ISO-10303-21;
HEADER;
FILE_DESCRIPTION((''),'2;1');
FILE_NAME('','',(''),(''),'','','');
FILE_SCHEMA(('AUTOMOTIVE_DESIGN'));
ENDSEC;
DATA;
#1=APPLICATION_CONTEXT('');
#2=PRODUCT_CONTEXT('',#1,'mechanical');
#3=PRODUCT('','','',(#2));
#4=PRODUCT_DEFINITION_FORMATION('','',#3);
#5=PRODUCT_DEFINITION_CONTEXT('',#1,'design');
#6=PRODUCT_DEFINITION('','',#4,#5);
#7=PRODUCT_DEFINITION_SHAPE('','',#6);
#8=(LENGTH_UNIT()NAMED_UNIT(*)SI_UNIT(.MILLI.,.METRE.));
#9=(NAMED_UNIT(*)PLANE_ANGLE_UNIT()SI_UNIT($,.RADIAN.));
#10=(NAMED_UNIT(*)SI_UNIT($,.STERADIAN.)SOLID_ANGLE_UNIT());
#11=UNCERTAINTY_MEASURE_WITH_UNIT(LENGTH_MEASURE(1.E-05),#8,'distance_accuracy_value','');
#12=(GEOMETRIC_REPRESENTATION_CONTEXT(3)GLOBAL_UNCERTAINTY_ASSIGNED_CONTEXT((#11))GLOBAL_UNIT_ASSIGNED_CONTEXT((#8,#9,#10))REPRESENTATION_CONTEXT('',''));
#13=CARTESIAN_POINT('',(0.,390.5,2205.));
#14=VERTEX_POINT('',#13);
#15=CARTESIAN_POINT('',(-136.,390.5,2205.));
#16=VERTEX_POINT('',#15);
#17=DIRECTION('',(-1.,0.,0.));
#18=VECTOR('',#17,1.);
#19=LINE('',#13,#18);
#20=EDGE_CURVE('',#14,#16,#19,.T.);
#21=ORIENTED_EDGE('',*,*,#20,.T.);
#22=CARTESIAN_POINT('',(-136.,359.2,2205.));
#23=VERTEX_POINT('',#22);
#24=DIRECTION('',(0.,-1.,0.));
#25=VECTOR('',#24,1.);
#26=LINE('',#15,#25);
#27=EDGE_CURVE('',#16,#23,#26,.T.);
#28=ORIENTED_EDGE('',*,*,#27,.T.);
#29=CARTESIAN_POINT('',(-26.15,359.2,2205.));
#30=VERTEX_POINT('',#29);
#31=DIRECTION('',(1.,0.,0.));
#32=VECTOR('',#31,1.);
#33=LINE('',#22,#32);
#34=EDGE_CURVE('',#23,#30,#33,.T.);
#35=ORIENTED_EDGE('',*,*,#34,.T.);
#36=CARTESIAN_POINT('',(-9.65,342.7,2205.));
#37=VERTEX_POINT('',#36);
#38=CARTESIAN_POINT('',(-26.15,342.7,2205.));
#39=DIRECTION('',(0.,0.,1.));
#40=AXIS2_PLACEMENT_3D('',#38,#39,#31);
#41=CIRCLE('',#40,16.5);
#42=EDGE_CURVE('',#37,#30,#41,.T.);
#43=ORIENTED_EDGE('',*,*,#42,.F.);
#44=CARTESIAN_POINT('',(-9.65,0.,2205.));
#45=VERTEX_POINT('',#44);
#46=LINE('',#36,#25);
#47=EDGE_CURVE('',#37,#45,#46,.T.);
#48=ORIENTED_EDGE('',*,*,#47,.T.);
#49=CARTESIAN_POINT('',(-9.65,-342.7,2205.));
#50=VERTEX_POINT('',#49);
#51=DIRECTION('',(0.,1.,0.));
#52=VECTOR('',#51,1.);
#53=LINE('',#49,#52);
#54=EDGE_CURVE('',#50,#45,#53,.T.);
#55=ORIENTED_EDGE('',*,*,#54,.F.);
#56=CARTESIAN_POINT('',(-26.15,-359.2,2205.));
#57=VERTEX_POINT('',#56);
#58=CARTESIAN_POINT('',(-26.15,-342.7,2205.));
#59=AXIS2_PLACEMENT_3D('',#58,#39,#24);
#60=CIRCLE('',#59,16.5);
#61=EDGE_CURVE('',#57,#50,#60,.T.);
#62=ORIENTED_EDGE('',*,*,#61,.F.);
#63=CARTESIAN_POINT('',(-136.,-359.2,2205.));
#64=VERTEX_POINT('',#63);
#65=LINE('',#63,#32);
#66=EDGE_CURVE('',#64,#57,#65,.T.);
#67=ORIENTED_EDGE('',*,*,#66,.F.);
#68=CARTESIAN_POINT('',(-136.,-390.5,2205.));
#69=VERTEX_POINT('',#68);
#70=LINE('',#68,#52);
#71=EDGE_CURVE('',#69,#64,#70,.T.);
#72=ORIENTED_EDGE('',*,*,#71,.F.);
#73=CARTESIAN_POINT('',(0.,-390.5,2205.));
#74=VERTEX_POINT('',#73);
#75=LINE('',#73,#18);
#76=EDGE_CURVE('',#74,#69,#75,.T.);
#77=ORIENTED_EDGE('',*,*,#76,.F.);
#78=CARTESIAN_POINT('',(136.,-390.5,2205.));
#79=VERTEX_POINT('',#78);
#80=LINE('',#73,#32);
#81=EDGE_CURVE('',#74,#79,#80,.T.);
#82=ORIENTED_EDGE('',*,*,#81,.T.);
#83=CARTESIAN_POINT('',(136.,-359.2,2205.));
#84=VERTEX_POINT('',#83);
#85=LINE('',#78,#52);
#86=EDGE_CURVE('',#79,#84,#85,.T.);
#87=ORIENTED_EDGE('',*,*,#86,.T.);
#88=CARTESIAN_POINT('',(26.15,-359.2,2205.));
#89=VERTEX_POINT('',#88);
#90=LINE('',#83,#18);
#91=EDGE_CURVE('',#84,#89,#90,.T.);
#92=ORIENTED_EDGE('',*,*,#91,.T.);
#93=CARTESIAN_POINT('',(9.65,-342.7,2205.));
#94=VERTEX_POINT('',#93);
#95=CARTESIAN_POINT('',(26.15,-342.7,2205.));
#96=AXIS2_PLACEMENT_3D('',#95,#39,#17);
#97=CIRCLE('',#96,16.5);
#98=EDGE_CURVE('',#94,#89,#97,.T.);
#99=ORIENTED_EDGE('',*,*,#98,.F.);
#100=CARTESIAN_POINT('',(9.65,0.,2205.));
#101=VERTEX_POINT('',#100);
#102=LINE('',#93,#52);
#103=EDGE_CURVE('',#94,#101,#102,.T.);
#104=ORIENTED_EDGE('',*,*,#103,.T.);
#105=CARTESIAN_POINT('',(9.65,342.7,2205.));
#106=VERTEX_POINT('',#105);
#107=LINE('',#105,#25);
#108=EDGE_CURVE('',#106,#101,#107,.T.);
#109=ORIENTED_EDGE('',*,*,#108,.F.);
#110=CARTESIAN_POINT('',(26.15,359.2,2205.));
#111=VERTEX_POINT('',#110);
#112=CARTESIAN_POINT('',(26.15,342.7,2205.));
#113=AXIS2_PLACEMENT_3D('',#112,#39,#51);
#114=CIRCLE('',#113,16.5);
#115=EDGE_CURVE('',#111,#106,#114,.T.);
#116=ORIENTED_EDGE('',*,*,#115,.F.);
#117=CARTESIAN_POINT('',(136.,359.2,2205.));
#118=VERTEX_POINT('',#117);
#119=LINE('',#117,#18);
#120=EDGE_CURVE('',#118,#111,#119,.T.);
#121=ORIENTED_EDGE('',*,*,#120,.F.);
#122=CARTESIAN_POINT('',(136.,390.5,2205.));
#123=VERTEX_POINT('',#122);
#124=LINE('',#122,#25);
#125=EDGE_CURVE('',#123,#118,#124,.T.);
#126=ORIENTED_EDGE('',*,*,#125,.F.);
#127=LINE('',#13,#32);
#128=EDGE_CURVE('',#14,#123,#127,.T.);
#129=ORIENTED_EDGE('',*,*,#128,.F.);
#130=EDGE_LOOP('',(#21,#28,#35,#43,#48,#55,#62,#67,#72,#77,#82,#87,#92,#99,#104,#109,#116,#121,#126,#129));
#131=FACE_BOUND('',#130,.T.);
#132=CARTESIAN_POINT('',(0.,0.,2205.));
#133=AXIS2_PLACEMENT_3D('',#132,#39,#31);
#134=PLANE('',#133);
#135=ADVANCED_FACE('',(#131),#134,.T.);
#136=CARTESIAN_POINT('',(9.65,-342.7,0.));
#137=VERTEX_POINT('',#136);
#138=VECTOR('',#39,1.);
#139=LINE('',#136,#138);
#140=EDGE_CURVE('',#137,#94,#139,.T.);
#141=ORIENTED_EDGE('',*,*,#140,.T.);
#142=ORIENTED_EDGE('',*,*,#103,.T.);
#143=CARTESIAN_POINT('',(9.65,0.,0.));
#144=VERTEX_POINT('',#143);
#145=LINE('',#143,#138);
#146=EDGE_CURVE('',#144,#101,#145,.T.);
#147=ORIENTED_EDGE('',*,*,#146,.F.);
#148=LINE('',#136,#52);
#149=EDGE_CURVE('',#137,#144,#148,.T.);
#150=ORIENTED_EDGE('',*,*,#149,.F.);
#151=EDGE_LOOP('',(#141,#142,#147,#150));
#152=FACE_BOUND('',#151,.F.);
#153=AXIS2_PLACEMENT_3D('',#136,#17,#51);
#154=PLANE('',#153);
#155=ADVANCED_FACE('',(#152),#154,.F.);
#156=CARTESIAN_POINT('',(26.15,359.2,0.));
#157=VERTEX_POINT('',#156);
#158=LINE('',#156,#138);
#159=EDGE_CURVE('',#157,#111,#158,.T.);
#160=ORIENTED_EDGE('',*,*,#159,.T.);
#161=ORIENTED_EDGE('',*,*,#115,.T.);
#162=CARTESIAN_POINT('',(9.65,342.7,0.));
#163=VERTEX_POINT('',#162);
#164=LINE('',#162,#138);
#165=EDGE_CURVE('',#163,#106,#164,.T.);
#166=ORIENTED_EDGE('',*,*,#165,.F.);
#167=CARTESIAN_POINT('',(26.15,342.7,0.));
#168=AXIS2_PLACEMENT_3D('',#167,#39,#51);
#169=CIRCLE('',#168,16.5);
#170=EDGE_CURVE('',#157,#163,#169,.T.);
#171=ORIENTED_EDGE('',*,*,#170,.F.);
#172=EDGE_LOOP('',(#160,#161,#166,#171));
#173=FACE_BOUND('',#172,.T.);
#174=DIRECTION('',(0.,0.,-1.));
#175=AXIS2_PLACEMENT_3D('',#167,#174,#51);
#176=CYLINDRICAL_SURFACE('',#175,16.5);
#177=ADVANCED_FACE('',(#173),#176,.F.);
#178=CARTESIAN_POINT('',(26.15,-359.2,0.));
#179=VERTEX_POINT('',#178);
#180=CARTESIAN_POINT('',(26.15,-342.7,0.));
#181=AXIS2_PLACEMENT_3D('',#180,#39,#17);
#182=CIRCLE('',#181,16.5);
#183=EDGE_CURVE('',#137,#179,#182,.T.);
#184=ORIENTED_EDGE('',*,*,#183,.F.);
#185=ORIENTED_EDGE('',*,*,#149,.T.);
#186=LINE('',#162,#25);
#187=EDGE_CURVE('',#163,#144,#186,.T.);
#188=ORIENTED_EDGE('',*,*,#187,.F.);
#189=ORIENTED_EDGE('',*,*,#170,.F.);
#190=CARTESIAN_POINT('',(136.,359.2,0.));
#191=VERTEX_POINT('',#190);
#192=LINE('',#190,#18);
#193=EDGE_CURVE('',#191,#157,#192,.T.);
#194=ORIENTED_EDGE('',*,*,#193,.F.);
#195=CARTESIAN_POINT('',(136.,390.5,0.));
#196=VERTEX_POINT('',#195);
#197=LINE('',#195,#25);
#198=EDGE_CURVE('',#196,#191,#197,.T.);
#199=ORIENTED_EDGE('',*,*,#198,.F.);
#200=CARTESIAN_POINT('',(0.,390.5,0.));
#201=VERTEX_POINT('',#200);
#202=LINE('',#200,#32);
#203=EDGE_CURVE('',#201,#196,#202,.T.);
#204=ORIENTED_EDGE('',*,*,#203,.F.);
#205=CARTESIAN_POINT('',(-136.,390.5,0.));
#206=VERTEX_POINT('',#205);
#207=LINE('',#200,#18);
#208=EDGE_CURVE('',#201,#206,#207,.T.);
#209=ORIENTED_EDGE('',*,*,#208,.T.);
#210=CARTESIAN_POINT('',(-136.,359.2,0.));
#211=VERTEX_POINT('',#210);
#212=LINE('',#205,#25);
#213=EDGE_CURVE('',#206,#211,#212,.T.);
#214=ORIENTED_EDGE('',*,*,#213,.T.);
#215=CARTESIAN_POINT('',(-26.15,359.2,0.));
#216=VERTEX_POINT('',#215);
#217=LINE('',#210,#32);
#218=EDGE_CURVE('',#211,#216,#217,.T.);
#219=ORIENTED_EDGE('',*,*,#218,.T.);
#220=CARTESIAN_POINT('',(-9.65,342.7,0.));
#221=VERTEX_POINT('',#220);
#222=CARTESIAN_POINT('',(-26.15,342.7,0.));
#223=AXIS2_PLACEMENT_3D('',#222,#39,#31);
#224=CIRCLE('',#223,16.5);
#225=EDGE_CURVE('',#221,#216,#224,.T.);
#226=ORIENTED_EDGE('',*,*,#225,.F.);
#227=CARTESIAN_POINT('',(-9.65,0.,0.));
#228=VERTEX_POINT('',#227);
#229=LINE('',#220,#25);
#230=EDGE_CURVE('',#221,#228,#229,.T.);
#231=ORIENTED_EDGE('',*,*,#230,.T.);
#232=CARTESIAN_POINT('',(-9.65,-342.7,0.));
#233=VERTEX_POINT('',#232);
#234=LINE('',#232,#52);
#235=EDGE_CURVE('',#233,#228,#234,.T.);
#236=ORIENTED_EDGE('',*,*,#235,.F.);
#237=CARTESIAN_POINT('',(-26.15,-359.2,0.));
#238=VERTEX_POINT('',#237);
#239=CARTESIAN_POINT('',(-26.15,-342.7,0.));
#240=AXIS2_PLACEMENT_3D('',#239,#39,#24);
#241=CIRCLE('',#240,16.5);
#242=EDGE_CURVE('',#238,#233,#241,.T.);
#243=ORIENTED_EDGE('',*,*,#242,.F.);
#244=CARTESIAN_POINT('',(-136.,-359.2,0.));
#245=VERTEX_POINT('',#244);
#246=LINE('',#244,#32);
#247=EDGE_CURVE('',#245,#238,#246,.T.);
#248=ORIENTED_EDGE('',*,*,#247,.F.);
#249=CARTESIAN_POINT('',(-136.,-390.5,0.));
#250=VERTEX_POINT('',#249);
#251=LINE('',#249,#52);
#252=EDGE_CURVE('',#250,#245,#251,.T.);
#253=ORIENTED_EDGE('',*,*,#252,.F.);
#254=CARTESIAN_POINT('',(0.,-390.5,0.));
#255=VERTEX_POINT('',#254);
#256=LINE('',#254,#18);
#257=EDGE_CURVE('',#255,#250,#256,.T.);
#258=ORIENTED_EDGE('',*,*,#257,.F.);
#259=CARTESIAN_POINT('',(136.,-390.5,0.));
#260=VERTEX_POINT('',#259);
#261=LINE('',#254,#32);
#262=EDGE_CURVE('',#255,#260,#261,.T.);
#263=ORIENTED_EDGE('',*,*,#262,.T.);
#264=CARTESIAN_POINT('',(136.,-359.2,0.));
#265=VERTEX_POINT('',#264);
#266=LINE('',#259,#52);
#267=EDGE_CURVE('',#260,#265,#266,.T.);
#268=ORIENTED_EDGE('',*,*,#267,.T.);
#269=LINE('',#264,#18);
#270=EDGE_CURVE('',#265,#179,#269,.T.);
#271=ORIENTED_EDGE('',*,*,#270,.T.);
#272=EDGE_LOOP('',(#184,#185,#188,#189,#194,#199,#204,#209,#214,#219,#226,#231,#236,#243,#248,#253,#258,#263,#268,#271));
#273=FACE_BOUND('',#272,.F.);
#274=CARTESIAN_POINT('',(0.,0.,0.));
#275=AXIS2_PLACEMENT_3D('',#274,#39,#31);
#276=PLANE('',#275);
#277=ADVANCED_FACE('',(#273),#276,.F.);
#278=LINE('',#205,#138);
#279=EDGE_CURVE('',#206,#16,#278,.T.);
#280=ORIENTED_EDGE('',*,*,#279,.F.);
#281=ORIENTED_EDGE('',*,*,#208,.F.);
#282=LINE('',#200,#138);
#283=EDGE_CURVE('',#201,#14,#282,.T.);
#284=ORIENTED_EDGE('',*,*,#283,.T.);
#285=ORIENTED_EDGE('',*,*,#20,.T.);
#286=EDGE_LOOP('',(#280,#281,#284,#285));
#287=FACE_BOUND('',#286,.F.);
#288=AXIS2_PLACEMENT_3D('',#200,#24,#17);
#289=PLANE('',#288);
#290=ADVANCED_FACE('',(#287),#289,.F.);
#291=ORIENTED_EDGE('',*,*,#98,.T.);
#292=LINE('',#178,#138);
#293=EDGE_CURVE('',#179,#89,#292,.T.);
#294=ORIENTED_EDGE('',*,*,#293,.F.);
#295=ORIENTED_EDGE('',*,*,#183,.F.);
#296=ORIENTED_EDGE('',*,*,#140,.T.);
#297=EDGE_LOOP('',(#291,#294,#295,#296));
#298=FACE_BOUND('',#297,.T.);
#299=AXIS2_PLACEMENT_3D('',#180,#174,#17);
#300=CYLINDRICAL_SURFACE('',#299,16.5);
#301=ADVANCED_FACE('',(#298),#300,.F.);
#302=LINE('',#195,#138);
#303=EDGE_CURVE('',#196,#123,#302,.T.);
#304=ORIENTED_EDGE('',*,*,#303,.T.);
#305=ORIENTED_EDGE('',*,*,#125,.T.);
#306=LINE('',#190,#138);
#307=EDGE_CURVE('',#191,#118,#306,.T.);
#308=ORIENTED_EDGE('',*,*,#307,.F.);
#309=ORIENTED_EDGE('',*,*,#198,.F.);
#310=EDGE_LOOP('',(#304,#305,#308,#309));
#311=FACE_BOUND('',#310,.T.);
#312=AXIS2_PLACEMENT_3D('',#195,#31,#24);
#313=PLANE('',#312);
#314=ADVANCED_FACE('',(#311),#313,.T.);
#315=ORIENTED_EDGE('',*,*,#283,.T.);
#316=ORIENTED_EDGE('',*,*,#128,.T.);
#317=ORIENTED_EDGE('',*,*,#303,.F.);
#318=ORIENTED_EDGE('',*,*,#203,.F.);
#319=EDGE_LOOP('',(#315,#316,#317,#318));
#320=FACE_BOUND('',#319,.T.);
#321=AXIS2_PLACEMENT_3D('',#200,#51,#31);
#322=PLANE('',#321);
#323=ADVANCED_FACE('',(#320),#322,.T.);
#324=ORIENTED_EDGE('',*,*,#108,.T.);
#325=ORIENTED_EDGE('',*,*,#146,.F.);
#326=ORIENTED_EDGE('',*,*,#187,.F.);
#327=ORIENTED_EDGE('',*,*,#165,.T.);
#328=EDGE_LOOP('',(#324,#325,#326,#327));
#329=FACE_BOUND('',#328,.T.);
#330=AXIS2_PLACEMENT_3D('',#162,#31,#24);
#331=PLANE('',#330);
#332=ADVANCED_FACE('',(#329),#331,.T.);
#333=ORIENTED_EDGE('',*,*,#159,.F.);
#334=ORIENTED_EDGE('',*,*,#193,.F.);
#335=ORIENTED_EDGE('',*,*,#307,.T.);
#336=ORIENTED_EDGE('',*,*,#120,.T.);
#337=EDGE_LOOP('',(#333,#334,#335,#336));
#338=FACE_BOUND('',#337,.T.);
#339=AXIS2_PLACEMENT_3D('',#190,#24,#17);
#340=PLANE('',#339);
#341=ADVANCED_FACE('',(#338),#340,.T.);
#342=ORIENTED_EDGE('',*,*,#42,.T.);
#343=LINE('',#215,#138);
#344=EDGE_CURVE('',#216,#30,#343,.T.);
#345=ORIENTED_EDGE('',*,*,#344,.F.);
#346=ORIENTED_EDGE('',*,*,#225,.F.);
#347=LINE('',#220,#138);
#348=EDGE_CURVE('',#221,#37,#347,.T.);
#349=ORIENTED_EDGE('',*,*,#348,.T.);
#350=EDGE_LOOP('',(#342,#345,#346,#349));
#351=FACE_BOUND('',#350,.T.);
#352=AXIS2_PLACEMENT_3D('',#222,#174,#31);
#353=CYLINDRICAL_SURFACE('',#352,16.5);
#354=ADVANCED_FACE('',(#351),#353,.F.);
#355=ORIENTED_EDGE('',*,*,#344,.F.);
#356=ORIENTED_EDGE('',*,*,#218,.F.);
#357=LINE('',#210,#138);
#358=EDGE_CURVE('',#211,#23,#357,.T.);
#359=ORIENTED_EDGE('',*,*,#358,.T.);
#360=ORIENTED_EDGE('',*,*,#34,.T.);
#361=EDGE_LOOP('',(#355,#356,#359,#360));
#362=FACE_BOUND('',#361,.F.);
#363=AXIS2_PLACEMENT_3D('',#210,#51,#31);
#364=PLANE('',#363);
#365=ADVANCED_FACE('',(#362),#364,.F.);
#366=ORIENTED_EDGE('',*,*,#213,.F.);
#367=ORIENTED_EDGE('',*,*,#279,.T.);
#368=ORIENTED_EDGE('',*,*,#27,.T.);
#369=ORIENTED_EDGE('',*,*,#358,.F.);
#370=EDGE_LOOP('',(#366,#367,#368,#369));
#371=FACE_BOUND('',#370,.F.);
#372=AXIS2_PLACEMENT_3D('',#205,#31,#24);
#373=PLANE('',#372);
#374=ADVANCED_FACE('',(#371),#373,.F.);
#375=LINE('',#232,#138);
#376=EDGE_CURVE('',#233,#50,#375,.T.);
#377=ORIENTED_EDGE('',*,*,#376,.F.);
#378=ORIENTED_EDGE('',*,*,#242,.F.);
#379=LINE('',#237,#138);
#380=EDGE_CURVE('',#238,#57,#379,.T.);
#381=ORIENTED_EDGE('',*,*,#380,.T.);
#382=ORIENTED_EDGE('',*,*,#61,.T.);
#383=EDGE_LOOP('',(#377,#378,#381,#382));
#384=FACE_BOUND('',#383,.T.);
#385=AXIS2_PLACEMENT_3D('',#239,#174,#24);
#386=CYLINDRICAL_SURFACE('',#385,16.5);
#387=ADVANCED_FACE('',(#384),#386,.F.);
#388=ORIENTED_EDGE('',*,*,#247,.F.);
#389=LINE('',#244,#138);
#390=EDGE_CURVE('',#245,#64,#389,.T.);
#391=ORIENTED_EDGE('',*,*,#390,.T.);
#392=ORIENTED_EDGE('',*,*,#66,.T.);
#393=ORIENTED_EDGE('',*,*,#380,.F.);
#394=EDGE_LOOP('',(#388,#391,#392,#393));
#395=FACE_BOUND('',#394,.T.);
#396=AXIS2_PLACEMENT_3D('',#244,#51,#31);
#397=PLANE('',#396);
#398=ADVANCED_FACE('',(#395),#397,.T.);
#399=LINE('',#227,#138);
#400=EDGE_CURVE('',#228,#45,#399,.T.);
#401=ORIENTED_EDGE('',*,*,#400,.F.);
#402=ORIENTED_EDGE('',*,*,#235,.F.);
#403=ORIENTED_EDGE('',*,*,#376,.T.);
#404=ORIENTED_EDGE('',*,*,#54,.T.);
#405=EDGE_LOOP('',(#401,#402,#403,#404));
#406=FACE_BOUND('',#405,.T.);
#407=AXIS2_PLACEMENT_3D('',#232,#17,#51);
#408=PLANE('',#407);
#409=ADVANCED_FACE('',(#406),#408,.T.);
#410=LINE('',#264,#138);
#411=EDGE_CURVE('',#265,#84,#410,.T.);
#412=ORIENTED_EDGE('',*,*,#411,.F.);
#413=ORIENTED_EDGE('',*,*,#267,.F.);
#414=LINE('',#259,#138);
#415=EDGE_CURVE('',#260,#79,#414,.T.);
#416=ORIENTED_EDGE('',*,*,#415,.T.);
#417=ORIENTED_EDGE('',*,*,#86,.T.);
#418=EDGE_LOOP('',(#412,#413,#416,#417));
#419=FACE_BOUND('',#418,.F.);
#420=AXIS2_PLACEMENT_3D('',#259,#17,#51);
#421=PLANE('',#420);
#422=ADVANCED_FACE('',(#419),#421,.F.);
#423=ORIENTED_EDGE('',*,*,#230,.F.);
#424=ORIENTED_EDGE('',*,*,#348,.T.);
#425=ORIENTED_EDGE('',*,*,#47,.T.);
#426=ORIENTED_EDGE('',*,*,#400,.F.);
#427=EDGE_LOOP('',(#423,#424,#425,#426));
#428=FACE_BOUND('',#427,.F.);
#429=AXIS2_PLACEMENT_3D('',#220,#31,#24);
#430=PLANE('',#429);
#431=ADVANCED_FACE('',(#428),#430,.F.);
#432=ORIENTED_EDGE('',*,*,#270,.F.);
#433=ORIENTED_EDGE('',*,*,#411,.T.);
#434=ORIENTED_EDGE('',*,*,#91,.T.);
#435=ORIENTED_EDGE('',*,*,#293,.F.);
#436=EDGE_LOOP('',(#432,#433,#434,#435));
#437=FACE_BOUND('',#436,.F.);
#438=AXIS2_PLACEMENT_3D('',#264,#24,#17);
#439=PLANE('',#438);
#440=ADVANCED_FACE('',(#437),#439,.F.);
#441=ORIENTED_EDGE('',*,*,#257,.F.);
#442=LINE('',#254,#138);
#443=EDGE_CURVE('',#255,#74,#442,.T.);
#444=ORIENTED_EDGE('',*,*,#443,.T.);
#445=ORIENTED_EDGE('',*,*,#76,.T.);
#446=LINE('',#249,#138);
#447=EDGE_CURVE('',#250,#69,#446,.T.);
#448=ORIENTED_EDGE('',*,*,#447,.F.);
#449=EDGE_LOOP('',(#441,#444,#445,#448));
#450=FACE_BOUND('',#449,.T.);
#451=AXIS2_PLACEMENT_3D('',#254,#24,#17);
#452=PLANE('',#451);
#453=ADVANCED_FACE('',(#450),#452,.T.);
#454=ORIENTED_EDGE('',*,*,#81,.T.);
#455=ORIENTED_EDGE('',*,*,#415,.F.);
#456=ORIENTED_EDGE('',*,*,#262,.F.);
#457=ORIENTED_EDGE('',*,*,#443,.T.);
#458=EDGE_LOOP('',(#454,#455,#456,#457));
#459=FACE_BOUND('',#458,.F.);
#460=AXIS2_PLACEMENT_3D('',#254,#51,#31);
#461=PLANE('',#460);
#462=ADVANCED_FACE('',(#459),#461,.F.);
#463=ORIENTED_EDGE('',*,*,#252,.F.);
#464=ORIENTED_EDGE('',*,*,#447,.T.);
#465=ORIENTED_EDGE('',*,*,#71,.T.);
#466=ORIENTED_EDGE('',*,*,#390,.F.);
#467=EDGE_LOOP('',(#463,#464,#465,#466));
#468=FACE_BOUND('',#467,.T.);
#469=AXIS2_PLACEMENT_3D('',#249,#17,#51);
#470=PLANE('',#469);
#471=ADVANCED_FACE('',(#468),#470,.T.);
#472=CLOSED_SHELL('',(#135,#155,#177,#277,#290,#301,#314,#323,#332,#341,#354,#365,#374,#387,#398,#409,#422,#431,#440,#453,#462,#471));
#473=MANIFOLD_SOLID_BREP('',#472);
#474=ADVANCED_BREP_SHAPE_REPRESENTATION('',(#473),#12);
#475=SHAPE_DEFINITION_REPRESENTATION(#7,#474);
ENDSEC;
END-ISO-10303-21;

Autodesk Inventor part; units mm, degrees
ref_plane "YZ Plane" through (0, 0, 0) normal (1, 0, 0) x (0, 1, 0)
ref_plane "Start plane" through (0, 0, 0) normal (0, 0, 1) x (1, 0, 0)
ref_plane "End plane" through (0, 0, 2205) normal (0, 0, 1) x (1, 0, 0)
sketch "Sketch" plane through (0, 0, 0) normal (0, 0, 1) x (1, 0, 0)
  line L0 (-136, -390.5) -> (-136, -359.2)
  line L1 (-136, -359.2) -> (-26.15, -359.2)
  line L2 (-9.65, -342.7) -> (-9.65, 0)
  line L3 (-9.65, 0) -> (0, 0) construction
  line L4 (0, 0) -> (0, -390.5) construction
  line L5 (0, -390.5) -> (-136, -390.5)
  line L6 (-60, 0) -> (80, 0) construction
  line L7 (0, -60) -> (0, 80) construction
  line L8 (136, -390.5) -> (136, -359.2)
  line L9 (136, -359.2) -> (26.15, -359.2)
  line L10 (9.65, -342.7) -> (9.65, 0)
  line L11 (9.65, 0) -> (0, 0) construction
  line L12 (0, -390.5) -> (136, -390.5)
  line L13 (-136, 390.5) -> (-136, 359.2)
  line L14 (-136, 359.2) -> (-26.15, 359.2)
  line L15 (-9.65, 342.7) -> (-9.65, 0)
  line L16 (0, 390.5) -> (-136, 390.5)
  line L17 (136, 390.5) -> (136, 359.2)
  line L18 (136, 359.2) -> (26.15, 359.2)
  line L19 (0, 390.5) -> (136, 390.5)
  line L20 (9.65, 342.7) -> (9.65, 0)
  arc A0 (-9.65, 342.7) -> (-26.15, 359.2) centre (-26.15, 342.7) ccw
  arc A1 (26.15, 359.2) -> (9.65, 342.7) centre (26.15, 342.7) ccw
  arc A2 (9.65, -342.7) -> (26.15, -359.2) centre (26.15, -342.7) ccw
  arc A3 (-26.15, -359.2) -> (-9.65, -342.7) centre (-26.15, -342.7) ccw
  line L21 (0, 108) -> (0, -88) construction
  line L22 (-88, 0) -> (108, 0) construction
  point P0 (-9.65, -359.2)
  point P1 (9.65, -359.2)
  point P2 (-9.65, 359.2)
  point P3 (9.65, 359.2)
  dimension "d1" = 390.5
  dimension "d2" = 31.3
  dimension "d3" = 136
  dimension "d4" = 9.65
  dimension "d10" = 16.5
extrude "Body" add sketch "Sketch" along normal up to surface (2205 mm away) from surface at 0
sketch "Sketch4" plane through (0, 0, 0) normal (0, 0, 1) x (1, 0, 0)
  line L0 (0, 0) -> (10, 0)
ref_plane "Work Plane3" through (0, 0, 0) normal (0, -1, 0) x (1, 0, 0)
sketch "Sketch5" plane through (0, 0, 0) normal (0, -1, 0) x (1, 0, 0)
  line L0 (-2, 0) -> (12, 0) projected
  line L1 (-2, 2205) -> (12, 2205) projected
  dimension "d14" = 2205
equation "\"d1\" = 0.5 * G_H"
equation "\"d2\" = G_T1"
equation "\"d3\" = 0.5 * G_W"
equation "\"d4\" = 0.5 * G_T"
equation "\"d10\" = G_IR"
equation "\"d5\" = G_L"
equation "\"G_W\" = 272"
equation "\"G_H\" = 781"
equation "\"G_T\" = 19.3"
equation "\"G_T1\" = 31.3"
equation "\"G_IR\" = 16.5"
equation "\"G_L\" = d14"
equation "\"G_OFFSET_START\" = 0"
equation "\"G_OFFSET_END\" = 0"
equation "\"d12\" = G_OFFSET_END + B_L"
equation "\"B_L\" = 2205"
properties part number "AS 3679-1990 - 760 UB - 244 - 2205" material "Steel, Mild"
